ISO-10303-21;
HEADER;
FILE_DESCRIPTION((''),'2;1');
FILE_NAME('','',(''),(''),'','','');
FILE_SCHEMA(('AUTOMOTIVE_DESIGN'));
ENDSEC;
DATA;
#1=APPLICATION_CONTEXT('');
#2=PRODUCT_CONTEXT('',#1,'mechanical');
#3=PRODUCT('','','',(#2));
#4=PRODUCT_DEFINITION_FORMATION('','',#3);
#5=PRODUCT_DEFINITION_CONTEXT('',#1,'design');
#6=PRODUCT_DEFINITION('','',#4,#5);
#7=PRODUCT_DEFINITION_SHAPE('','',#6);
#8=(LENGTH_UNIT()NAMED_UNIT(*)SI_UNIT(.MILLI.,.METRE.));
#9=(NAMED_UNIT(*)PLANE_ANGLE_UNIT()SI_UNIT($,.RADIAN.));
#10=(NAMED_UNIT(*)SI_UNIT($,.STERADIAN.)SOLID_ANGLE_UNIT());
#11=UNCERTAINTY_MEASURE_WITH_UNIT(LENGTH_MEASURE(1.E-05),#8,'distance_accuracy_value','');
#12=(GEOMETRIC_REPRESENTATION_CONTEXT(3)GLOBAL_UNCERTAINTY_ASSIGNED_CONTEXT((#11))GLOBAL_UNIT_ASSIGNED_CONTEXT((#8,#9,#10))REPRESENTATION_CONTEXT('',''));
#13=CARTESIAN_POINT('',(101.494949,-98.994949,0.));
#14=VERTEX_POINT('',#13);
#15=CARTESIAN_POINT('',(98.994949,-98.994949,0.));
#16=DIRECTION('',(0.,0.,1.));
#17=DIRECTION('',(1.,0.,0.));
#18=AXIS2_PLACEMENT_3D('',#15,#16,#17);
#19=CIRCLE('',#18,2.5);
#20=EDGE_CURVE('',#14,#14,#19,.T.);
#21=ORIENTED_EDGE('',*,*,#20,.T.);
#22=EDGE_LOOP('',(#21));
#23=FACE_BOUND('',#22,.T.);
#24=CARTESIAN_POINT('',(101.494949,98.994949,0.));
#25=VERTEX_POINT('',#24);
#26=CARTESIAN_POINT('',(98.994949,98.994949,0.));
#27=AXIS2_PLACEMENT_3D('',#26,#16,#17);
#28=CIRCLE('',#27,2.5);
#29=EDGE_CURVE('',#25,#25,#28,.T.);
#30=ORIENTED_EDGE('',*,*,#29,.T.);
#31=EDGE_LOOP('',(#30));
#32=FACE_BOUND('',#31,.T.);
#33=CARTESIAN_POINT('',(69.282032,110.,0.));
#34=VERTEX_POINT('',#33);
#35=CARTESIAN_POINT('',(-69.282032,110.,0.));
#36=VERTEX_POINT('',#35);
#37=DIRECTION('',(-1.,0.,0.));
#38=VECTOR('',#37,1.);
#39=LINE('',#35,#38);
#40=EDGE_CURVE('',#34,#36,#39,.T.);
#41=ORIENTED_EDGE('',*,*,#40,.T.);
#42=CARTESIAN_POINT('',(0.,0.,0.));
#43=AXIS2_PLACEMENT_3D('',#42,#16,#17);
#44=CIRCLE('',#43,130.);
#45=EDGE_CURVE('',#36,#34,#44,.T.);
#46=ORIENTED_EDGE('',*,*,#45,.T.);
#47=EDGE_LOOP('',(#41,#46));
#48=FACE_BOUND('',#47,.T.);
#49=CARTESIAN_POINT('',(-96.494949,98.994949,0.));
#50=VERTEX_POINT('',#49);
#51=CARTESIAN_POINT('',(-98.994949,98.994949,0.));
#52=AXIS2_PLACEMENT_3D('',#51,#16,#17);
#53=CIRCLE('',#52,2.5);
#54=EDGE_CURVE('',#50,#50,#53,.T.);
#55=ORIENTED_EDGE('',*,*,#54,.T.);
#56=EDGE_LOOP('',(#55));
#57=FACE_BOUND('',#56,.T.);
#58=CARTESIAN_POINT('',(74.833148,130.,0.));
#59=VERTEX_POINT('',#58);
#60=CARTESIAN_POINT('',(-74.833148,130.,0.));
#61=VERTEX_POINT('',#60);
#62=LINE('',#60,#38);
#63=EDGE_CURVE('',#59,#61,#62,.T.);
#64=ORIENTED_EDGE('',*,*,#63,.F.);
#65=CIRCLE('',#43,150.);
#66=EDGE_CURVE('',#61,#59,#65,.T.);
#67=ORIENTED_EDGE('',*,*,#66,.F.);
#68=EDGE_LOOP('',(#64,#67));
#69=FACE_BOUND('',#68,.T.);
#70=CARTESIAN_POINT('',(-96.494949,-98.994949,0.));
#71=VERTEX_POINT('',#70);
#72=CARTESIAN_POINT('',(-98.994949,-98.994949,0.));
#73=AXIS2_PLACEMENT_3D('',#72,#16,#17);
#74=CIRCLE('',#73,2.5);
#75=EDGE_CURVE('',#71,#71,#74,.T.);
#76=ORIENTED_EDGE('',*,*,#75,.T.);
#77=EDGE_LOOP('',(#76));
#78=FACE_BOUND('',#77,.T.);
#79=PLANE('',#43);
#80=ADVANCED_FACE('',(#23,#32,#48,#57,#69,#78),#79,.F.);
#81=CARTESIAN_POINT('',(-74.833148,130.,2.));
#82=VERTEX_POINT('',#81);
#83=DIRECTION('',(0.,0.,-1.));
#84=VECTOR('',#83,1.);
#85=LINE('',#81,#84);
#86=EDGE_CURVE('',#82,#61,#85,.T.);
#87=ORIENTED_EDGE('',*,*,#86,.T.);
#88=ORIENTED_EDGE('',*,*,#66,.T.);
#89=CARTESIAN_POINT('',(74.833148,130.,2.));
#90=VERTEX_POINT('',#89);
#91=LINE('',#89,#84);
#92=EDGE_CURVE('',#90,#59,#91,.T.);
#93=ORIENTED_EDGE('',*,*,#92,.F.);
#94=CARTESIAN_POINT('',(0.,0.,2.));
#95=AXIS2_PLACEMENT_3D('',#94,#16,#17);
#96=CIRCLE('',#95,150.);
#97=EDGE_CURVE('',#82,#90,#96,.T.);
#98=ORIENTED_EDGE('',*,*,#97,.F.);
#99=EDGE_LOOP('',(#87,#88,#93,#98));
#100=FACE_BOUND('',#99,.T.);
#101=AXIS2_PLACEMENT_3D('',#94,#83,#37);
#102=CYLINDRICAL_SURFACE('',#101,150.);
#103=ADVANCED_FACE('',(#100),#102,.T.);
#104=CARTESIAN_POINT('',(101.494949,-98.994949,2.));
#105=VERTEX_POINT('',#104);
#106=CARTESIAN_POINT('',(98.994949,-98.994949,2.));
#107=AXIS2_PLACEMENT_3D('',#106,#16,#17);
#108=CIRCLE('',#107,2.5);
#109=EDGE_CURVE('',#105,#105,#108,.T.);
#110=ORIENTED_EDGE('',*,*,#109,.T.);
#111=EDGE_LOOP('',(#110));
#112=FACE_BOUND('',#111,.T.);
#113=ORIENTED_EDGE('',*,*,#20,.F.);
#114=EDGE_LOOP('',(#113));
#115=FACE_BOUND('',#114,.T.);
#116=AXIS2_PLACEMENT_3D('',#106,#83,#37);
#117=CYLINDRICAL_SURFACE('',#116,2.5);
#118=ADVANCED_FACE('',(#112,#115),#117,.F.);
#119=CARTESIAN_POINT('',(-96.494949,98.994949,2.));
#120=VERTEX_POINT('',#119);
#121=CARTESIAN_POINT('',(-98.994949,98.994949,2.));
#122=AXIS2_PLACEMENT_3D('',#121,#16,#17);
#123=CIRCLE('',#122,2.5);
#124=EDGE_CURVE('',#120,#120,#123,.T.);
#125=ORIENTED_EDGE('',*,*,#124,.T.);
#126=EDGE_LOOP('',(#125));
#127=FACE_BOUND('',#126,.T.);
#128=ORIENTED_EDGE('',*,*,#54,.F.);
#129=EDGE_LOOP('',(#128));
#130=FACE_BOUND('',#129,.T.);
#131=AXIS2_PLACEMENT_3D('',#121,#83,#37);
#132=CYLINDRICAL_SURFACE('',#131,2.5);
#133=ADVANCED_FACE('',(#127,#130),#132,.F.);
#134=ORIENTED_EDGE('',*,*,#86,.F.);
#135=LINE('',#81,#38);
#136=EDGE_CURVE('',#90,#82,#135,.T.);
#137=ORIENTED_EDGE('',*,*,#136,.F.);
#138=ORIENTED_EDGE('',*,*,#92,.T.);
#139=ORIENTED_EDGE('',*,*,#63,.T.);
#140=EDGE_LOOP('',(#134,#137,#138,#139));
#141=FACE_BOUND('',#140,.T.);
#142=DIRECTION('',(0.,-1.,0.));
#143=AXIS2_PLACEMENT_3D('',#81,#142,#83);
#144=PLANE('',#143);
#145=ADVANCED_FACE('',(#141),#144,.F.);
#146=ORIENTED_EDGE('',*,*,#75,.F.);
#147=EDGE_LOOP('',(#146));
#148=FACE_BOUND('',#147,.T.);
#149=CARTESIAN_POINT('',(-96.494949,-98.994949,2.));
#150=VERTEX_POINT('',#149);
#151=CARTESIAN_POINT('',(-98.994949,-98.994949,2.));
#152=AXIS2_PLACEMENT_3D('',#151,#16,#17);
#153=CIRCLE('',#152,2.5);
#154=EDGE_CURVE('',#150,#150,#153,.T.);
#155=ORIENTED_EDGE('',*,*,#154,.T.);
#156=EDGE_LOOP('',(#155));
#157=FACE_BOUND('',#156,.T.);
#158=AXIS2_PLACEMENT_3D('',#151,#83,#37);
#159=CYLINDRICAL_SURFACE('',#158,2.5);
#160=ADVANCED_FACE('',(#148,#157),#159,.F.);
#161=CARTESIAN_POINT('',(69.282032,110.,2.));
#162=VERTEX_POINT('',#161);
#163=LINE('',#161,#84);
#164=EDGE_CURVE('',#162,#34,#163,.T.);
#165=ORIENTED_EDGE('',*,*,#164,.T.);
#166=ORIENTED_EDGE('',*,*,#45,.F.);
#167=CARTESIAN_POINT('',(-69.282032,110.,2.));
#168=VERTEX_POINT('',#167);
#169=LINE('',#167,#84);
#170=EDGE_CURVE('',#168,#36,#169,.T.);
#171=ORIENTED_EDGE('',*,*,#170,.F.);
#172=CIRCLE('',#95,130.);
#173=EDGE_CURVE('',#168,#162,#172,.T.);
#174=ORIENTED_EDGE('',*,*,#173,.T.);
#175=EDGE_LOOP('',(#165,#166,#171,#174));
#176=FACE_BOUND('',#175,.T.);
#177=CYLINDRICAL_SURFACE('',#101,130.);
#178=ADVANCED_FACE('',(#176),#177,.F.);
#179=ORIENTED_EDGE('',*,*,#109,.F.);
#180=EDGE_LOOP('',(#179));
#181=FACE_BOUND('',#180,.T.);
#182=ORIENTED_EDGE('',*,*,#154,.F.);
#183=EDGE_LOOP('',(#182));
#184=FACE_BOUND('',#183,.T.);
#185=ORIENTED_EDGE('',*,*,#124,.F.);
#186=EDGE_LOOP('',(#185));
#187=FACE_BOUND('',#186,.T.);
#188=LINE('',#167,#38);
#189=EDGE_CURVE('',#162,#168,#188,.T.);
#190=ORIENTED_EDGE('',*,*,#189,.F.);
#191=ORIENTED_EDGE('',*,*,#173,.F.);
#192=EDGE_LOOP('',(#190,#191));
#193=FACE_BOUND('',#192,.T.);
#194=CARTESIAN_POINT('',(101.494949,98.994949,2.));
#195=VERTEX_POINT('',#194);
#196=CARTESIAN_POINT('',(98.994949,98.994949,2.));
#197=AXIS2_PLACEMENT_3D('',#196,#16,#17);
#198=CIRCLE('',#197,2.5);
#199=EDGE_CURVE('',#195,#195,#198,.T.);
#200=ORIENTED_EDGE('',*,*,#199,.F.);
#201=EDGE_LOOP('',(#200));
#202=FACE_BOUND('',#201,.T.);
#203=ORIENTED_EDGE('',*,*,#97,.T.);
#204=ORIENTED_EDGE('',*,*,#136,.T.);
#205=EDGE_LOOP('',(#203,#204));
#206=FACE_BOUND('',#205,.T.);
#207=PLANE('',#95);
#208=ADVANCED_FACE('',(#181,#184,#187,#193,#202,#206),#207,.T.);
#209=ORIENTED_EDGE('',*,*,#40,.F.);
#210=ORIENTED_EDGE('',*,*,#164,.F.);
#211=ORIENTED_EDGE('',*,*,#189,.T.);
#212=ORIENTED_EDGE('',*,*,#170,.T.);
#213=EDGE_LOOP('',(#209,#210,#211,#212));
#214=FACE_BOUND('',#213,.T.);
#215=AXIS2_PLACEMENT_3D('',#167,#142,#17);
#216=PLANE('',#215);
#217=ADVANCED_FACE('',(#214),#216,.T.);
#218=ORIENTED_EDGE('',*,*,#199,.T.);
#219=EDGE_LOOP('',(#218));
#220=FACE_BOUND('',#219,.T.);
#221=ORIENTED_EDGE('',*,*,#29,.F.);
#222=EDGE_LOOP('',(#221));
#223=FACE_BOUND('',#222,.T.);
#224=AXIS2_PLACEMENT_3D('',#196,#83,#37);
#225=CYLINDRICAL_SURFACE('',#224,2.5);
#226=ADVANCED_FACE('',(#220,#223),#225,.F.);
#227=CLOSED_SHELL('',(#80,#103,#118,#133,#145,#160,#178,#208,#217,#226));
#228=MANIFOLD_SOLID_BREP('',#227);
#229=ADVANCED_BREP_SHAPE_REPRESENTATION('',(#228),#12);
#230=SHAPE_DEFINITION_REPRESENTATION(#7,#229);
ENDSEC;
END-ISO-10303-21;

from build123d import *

# Parameters (mm, degrees)
ESQUISSE1_R        = 2.5
BOSS_EXTRU_1_DEPTH = 2


with BuildPart() as part:
    # Esquisse1 → Boss.-Extru.1 (new body)
    with BuildSketch(Plane.XY):
        with BuildLine():
            Line((-74.833147735, 130), (74.833147735, 130))
            ThreePointArc((74.833147735, 130), (0, -150), (-74.833147735, 130))
        make_face()
        with Locations((-98.994949366, 98.994949366)):
            Circle(ESQUISSE1_R, mode=Mode.SUBTRACT)
        with Locations((-98.994949366, -98.994949366)):
            Circle(ESQUISSE1_R, mode=Mode.SUBTRACT)
        with Locations((98.994949366, -98.994949366)):
            Circle(ESQUISSE1_R, mode=Mode.SUBTRACT)
        with Locations((98.994949366, 98.994949366)):
            Circle(ESQUISSE1_R, mode=Mode.SUBTRACT)
        with BuildLine():
            Line((-69.282032303, 110), (69.282032303, 110))
            ThreePointArc((69.282032303, 110), (0, -130), (-69.282032303, 110))
        make_face(mode=Mode.SUBTRACT)
    extrude(amount=BOSS_EXTRU_1_DEPTH)


solid = part.part
